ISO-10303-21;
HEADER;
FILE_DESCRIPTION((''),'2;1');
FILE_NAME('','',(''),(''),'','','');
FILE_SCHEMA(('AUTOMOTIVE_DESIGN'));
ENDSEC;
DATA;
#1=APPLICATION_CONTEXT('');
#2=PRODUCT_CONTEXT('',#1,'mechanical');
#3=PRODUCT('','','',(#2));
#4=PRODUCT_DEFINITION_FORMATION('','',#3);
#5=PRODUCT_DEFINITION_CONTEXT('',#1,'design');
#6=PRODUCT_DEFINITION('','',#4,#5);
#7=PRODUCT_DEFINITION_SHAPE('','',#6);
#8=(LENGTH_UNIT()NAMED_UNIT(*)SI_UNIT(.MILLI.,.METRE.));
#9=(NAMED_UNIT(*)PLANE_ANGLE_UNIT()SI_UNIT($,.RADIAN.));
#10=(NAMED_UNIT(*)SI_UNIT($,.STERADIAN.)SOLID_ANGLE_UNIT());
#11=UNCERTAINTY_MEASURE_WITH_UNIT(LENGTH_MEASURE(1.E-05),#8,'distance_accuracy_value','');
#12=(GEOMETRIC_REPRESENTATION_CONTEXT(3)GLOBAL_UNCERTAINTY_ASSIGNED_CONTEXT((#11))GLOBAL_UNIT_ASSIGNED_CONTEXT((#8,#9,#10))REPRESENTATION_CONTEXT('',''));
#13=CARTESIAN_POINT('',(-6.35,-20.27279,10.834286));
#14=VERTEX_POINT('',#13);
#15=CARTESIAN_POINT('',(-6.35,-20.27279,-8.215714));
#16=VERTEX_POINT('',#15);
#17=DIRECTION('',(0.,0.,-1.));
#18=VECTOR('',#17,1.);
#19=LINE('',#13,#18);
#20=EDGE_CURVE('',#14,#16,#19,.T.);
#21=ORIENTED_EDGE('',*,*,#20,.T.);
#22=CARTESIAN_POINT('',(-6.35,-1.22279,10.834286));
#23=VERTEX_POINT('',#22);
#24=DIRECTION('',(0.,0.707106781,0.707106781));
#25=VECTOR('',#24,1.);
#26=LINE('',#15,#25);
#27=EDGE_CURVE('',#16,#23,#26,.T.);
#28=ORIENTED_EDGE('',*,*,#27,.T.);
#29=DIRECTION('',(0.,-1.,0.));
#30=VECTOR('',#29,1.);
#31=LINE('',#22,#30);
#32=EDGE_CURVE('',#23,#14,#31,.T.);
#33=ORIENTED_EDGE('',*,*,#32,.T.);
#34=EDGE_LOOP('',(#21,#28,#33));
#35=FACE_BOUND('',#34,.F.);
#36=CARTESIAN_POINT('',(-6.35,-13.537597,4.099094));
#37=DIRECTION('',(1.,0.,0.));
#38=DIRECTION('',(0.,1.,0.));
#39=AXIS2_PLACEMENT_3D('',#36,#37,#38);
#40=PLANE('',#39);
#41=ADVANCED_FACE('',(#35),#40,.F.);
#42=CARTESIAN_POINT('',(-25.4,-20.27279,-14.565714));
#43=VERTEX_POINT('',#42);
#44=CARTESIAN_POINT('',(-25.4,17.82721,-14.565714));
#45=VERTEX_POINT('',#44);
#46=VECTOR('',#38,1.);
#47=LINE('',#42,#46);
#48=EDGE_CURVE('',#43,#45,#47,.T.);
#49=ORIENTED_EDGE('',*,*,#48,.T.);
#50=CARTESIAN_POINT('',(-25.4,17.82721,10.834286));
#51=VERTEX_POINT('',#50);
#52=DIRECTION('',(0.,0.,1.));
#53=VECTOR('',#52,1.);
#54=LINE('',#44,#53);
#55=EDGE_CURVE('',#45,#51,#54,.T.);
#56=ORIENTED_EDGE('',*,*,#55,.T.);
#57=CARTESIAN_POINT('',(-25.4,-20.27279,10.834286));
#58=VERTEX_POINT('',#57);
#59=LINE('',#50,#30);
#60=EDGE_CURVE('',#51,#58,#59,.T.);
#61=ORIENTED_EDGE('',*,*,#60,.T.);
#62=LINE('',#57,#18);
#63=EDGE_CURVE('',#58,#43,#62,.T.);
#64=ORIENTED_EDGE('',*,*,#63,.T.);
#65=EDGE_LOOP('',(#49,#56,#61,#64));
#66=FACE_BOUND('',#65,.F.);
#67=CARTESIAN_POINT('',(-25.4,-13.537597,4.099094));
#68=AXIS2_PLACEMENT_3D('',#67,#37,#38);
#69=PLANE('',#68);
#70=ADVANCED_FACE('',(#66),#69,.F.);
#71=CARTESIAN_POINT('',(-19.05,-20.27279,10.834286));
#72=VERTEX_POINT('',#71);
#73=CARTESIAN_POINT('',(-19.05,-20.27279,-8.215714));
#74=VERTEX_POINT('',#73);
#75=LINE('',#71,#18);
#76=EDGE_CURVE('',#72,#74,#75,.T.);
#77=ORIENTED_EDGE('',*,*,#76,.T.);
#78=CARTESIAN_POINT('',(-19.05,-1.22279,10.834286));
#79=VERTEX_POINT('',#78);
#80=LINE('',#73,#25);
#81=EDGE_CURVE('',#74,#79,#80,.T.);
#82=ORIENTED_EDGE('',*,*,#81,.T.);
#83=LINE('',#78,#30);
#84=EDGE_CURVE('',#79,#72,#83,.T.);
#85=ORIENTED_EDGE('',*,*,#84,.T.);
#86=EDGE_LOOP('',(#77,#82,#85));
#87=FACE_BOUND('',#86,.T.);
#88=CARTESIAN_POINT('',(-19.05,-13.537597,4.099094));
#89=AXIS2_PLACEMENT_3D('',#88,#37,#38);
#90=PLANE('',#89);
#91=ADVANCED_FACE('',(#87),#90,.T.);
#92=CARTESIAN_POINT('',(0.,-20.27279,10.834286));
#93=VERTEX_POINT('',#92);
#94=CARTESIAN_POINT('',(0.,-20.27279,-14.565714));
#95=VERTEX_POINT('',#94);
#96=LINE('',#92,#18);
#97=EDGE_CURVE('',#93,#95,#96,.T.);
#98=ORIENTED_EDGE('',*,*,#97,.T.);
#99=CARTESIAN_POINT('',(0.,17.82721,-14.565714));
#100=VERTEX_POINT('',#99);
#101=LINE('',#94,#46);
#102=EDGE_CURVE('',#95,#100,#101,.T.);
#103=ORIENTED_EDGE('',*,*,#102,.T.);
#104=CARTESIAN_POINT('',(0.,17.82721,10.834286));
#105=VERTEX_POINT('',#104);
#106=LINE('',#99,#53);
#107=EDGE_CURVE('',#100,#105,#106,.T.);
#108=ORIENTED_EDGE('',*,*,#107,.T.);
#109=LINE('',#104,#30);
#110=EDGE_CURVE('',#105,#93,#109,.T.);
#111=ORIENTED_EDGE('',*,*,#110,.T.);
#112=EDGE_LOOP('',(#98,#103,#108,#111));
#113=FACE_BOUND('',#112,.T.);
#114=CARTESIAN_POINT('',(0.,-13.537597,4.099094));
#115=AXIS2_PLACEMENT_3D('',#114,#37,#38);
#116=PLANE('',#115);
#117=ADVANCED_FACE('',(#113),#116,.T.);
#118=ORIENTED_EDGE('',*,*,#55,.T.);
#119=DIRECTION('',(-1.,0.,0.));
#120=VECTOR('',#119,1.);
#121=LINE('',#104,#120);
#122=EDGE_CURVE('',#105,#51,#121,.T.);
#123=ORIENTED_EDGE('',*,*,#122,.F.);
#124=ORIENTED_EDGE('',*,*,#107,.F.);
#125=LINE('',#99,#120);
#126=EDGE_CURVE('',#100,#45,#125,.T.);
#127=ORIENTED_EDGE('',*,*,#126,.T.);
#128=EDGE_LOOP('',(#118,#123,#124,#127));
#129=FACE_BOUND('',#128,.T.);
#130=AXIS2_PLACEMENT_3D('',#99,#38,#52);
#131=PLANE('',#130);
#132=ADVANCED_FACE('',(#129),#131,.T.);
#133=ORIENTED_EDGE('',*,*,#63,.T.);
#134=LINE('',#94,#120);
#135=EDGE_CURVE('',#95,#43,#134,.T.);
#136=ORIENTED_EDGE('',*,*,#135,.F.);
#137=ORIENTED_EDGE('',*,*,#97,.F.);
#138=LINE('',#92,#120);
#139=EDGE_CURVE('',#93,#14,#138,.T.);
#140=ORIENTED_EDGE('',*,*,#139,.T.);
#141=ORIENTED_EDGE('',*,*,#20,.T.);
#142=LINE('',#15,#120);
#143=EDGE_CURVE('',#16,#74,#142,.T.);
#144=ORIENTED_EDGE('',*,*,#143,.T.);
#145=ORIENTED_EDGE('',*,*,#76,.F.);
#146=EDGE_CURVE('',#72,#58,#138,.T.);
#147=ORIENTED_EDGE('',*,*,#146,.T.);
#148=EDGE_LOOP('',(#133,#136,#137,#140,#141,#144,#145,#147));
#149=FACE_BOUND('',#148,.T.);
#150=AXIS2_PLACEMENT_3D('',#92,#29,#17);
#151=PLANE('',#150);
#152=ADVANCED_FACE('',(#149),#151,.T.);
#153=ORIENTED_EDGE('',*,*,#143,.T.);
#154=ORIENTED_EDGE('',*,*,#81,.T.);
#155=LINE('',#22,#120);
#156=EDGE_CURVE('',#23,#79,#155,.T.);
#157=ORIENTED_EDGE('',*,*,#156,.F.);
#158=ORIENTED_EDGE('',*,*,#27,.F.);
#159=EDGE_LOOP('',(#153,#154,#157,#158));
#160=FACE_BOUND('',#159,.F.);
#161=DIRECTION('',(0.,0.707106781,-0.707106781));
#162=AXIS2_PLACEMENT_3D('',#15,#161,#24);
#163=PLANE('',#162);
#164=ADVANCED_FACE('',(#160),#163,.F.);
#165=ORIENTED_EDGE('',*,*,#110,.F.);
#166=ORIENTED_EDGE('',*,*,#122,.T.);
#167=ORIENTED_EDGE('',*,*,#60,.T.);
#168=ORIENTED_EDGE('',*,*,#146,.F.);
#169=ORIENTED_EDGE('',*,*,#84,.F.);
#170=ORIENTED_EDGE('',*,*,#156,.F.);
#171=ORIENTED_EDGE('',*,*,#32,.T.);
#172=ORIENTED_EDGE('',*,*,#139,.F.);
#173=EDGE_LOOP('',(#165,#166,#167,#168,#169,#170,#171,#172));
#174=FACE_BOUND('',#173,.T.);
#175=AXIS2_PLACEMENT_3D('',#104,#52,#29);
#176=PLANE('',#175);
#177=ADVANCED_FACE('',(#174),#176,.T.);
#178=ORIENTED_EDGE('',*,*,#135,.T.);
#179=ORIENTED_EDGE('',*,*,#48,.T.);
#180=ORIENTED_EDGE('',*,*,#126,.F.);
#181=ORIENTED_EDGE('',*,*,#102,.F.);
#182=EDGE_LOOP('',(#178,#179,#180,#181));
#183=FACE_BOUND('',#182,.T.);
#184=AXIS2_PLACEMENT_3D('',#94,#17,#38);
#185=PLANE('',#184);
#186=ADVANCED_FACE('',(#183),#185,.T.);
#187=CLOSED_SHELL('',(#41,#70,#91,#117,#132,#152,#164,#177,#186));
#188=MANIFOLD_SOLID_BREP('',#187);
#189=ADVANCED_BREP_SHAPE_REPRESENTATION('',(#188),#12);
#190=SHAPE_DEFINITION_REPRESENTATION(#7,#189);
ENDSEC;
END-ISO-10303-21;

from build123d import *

# Parameters (mm, degrees)
F1_DEPTH = 25.4
F2_START = -6.35
F2_DEPTH = 12.7


with BuildPart() as f1:
    # F0 (on Right) → F1 (new body)
    with BuildSketch(Plane.YZ):
        Polygon((-1.2227895657, 10.83428575), (-20.2727895657, 10.83428575), (-20.2727895657, -8.21571425), align=None)
        Polygon((-1.2227895657, 10.83428575), (-20.2727895657, -8.21571425), (-20.2727895657, -14.56571425), (17.8272104343, -14.56571425), (17.8272104343, 10.83428575), align=None)
    extrude(amount=-F1_DEPTH)

    # F0 (on Right) → F2 (cut)
    with BuildSketch(Plane.YZ.offset(F2_START)):
        Polygon((-1.2227895657, 10.83428575), (-20.2727895657, 10.83428575), (-20.2727895657, -8.21571425), align=None)
    extrude(amount=-F2_DEPTH, mode=Mode.SUBTRACT)


solid = f1.part
